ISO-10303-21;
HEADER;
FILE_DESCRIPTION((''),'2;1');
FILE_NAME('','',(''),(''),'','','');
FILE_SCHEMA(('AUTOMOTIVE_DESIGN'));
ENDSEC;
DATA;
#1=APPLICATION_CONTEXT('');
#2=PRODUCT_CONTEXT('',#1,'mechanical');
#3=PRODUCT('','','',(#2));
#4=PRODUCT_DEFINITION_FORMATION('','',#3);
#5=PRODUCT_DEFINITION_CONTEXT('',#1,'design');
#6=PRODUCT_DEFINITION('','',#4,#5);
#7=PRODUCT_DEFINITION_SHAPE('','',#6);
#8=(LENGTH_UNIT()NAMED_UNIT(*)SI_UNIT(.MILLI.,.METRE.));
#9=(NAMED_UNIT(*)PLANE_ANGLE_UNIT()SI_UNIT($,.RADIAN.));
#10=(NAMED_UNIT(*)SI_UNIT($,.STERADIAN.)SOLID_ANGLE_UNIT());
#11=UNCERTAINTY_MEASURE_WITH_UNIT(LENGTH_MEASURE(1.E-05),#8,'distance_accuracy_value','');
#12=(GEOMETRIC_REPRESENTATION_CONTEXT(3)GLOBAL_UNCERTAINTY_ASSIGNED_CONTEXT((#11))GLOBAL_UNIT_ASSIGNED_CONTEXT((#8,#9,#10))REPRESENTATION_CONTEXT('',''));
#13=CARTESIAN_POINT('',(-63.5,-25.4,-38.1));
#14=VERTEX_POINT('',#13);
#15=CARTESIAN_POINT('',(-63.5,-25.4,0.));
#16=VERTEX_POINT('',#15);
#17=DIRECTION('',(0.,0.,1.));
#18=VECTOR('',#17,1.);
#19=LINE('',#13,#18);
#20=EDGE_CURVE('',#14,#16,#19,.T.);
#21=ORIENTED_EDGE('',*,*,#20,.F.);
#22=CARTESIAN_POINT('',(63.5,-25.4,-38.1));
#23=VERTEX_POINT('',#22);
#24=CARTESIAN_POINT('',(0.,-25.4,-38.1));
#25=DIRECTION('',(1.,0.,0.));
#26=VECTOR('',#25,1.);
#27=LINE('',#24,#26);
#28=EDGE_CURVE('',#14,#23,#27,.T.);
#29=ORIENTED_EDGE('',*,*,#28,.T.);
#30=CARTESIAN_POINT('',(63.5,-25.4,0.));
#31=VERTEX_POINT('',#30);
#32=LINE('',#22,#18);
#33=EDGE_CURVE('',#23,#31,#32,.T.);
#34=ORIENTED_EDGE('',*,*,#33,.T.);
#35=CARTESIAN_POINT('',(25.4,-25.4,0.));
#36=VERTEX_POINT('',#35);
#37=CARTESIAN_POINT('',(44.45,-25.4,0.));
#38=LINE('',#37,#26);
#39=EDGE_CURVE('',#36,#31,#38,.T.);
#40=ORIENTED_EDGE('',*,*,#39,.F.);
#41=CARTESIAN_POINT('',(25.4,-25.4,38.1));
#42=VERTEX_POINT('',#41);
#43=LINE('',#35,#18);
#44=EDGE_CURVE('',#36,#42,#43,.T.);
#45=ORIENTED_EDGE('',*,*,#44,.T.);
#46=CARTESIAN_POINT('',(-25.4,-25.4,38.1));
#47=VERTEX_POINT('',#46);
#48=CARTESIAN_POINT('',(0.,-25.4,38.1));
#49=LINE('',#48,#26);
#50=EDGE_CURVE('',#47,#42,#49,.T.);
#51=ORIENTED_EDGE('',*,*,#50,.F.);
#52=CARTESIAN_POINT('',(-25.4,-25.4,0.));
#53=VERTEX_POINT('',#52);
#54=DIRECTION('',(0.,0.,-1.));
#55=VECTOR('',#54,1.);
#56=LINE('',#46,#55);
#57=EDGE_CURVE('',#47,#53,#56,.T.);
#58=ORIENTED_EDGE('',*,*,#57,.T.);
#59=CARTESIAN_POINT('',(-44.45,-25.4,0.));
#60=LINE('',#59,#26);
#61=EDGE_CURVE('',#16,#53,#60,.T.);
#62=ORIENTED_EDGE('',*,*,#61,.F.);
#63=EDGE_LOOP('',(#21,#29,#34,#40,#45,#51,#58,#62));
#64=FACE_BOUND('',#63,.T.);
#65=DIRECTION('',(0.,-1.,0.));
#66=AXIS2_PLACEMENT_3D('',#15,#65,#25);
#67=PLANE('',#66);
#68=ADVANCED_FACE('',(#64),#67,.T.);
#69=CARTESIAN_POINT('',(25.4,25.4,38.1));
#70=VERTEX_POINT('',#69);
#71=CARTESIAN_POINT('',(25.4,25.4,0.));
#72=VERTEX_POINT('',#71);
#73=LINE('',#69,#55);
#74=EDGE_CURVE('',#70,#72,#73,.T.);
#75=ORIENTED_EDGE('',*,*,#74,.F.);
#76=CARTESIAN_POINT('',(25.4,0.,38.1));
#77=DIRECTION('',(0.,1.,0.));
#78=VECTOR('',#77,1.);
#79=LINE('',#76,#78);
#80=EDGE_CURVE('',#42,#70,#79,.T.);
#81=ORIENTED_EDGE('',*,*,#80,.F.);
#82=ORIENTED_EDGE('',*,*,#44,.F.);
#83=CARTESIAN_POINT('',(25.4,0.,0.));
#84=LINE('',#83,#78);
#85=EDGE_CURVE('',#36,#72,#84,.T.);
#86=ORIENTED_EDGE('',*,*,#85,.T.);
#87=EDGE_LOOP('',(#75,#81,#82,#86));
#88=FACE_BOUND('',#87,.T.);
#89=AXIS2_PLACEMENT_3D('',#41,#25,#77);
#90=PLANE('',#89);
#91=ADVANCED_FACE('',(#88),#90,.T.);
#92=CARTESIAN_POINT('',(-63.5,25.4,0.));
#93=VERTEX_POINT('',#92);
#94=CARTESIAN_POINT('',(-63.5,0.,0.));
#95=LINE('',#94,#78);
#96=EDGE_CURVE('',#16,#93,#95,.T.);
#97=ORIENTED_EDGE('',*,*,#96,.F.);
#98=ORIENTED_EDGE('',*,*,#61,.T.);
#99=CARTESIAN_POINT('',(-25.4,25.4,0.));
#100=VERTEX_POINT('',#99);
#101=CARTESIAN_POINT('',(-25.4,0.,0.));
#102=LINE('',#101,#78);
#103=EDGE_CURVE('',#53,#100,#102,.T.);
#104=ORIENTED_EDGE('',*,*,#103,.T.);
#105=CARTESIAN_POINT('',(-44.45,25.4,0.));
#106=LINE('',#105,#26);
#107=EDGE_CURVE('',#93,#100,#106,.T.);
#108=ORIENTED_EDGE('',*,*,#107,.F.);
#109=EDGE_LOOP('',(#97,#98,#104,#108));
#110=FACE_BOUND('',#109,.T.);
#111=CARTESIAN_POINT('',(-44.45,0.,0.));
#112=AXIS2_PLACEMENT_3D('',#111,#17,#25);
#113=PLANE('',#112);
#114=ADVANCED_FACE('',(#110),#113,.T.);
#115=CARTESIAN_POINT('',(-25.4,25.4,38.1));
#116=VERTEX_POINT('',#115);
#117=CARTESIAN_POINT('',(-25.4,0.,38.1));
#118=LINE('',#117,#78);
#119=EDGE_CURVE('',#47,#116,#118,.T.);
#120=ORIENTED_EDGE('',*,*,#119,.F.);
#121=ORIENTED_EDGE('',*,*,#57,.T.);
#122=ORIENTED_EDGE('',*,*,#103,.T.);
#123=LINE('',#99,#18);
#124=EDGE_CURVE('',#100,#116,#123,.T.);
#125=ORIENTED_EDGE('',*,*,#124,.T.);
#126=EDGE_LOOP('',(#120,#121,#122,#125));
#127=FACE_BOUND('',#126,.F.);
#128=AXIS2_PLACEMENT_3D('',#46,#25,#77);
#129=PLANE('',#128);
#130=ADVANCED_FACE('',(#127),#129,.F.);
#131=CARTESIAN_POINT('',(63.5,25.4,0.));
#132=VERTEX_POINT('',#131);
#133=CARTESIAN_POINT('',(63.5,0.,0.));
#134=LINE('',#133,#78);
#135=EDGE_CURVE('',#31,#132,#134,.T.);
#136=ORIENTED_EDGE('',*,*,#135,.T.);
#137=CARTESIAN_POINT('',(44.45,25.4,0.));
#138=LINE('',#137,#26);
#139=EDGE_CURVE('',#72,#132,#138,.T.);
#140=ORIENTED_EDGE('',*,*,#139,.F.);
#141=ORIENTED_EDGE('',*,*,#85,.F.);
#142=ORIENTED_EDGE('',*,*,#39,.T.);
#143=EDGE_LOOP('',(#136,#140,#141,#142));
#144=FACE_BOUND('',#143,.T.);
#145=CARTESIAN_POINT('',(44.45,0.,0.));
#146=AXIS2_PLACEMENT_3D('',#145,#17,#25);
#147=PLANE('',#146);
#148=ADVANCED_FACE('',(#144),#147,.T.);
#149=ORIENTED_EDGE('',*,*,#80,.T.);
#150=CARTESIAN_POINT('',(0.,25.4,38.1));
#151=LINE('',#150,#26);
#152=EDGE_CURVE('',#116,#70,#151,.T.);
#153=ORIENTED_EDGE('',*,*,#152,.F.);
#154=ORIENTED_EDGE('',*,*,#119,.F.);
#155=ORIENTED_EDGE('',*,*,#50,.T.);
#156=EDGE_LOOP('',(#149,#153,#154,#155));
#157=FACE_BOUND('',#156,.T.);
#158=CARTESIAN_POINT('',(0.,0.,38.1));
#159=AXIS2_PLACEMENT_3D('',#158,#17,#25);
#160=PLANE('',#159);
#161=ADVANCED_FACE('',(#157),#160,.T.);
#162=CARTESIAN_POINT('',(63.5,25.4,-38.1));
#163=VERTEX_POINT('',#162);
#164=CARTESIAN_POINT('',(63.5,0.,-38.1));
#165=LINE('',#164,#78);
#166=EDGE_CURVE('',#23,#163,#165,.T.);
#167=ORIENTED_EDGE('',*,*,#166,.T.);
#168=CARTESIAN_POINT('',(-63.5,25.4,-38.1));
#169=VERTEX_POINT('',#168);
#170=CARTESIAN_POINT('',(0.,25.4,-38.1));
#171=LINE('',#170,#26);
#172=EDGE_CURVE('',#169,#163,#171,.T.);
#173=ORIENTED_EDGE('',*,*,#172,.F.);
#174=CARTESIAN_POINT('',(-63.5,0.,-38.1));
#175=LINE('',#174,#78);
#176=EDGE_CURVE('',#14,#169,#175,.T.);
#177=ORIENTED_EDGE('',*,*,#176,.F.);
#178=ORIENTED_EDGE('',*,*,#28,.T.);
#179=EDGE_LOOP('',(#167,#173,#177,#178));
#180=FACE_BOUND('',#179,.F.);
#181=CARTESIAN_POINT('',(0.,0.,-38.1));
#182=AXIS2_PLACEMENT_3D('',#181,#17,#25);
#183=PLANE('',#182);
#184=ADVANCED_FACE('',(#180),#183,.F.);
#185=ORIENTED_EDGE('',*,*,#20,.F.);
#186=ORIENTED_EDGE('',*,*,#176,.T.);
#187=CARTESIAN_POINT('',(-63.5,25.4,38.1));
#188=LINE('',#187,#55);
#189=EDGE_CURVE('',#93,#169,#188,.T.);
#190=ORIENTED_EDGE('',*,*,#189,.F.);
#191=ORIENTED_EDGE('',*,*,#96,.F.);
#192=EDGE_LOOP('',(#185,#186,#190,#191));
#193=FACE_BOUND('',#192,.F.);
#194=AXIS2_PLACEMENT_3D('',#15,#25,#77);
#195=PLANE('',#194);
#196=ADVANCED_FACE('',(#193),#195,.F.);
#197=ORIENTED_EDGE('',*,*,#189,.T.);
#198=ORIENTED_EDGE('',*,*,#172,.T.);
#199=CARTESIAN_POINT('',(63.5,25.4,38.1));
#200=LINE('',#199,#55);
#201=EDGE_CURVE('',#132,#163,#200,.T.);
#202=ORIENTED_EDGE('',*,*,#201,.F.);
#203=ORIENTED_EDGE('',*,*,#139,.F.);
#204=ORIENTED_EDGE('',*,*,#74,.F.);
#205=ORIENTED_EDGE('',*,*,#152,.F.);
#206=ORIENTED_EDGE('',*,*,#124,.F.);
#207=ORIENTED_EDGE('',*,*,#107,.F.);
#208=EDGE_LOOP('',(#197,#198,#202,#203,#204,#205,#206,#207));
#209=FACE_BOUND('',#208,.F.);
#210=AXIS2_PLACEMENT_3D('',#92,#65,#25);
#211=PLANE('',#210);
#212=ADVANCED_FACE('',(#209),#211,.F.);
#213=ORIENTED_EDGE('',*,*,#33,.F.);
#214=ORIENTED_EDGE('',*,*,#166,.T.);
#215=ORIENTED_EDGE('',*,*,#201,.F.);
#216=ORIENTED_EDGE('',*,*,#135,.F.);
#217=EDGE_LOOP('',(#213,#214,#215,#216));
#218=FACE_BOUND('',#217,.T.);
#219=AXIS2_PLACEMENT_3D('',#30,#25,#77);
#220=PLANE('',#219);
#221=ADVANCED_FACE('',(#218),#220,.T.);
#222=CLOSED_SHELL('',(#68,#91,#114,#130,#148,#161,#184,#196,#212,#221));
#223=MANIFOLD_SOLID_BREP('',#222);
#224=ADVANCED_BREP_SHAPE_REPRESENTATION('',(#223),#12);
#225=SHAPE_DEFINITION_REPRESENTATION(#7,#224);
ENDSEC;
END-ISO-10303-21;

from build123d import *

# Parameters (mm, degrees)
F0_W     = 127
F0_H     = 50.8
F1_DEPTH = 38.1
F2_W     = 38.1
F2_H     = 50.8
F3_DEPTH = 25.4
F4_DEPTH = 38.1


with BuildPart() as f1:
    # F0 (on Top) → F1 (new body, symmetric)
    with BuildSketch(Plane.XY):
        Rectangle(F0_W, F0_H)
    extrude(amount=F1_DEPTH, both=True)

    # F2 (on face) → F3 (cut)
    with BuildSketch(Plane.XY.offset(38.1)):
        with Locations((-44.45, 0)):
            Rectangle(F2_W, F2_H)
        with Locations((44.45, 0)):
            Rectangle(F2_W, F2_H)
    extrude(amount=-F3_DEPTH, mode=Mode.SUBTRACT)

    # F2 (on face) → F4 (cut)
    with BuildSketch(Plane.XY.offset(38.1)):
        with Locations((-44.45, 0)):
            Rectangle(F2_W, F2_H)
        with Locations((44.45, 0)):
            Rectangle(F2_W, F2_H)
    extrude(amount=-F4_DEPTH, mode=Mode.SUBTRACT)


solid = f1.part
